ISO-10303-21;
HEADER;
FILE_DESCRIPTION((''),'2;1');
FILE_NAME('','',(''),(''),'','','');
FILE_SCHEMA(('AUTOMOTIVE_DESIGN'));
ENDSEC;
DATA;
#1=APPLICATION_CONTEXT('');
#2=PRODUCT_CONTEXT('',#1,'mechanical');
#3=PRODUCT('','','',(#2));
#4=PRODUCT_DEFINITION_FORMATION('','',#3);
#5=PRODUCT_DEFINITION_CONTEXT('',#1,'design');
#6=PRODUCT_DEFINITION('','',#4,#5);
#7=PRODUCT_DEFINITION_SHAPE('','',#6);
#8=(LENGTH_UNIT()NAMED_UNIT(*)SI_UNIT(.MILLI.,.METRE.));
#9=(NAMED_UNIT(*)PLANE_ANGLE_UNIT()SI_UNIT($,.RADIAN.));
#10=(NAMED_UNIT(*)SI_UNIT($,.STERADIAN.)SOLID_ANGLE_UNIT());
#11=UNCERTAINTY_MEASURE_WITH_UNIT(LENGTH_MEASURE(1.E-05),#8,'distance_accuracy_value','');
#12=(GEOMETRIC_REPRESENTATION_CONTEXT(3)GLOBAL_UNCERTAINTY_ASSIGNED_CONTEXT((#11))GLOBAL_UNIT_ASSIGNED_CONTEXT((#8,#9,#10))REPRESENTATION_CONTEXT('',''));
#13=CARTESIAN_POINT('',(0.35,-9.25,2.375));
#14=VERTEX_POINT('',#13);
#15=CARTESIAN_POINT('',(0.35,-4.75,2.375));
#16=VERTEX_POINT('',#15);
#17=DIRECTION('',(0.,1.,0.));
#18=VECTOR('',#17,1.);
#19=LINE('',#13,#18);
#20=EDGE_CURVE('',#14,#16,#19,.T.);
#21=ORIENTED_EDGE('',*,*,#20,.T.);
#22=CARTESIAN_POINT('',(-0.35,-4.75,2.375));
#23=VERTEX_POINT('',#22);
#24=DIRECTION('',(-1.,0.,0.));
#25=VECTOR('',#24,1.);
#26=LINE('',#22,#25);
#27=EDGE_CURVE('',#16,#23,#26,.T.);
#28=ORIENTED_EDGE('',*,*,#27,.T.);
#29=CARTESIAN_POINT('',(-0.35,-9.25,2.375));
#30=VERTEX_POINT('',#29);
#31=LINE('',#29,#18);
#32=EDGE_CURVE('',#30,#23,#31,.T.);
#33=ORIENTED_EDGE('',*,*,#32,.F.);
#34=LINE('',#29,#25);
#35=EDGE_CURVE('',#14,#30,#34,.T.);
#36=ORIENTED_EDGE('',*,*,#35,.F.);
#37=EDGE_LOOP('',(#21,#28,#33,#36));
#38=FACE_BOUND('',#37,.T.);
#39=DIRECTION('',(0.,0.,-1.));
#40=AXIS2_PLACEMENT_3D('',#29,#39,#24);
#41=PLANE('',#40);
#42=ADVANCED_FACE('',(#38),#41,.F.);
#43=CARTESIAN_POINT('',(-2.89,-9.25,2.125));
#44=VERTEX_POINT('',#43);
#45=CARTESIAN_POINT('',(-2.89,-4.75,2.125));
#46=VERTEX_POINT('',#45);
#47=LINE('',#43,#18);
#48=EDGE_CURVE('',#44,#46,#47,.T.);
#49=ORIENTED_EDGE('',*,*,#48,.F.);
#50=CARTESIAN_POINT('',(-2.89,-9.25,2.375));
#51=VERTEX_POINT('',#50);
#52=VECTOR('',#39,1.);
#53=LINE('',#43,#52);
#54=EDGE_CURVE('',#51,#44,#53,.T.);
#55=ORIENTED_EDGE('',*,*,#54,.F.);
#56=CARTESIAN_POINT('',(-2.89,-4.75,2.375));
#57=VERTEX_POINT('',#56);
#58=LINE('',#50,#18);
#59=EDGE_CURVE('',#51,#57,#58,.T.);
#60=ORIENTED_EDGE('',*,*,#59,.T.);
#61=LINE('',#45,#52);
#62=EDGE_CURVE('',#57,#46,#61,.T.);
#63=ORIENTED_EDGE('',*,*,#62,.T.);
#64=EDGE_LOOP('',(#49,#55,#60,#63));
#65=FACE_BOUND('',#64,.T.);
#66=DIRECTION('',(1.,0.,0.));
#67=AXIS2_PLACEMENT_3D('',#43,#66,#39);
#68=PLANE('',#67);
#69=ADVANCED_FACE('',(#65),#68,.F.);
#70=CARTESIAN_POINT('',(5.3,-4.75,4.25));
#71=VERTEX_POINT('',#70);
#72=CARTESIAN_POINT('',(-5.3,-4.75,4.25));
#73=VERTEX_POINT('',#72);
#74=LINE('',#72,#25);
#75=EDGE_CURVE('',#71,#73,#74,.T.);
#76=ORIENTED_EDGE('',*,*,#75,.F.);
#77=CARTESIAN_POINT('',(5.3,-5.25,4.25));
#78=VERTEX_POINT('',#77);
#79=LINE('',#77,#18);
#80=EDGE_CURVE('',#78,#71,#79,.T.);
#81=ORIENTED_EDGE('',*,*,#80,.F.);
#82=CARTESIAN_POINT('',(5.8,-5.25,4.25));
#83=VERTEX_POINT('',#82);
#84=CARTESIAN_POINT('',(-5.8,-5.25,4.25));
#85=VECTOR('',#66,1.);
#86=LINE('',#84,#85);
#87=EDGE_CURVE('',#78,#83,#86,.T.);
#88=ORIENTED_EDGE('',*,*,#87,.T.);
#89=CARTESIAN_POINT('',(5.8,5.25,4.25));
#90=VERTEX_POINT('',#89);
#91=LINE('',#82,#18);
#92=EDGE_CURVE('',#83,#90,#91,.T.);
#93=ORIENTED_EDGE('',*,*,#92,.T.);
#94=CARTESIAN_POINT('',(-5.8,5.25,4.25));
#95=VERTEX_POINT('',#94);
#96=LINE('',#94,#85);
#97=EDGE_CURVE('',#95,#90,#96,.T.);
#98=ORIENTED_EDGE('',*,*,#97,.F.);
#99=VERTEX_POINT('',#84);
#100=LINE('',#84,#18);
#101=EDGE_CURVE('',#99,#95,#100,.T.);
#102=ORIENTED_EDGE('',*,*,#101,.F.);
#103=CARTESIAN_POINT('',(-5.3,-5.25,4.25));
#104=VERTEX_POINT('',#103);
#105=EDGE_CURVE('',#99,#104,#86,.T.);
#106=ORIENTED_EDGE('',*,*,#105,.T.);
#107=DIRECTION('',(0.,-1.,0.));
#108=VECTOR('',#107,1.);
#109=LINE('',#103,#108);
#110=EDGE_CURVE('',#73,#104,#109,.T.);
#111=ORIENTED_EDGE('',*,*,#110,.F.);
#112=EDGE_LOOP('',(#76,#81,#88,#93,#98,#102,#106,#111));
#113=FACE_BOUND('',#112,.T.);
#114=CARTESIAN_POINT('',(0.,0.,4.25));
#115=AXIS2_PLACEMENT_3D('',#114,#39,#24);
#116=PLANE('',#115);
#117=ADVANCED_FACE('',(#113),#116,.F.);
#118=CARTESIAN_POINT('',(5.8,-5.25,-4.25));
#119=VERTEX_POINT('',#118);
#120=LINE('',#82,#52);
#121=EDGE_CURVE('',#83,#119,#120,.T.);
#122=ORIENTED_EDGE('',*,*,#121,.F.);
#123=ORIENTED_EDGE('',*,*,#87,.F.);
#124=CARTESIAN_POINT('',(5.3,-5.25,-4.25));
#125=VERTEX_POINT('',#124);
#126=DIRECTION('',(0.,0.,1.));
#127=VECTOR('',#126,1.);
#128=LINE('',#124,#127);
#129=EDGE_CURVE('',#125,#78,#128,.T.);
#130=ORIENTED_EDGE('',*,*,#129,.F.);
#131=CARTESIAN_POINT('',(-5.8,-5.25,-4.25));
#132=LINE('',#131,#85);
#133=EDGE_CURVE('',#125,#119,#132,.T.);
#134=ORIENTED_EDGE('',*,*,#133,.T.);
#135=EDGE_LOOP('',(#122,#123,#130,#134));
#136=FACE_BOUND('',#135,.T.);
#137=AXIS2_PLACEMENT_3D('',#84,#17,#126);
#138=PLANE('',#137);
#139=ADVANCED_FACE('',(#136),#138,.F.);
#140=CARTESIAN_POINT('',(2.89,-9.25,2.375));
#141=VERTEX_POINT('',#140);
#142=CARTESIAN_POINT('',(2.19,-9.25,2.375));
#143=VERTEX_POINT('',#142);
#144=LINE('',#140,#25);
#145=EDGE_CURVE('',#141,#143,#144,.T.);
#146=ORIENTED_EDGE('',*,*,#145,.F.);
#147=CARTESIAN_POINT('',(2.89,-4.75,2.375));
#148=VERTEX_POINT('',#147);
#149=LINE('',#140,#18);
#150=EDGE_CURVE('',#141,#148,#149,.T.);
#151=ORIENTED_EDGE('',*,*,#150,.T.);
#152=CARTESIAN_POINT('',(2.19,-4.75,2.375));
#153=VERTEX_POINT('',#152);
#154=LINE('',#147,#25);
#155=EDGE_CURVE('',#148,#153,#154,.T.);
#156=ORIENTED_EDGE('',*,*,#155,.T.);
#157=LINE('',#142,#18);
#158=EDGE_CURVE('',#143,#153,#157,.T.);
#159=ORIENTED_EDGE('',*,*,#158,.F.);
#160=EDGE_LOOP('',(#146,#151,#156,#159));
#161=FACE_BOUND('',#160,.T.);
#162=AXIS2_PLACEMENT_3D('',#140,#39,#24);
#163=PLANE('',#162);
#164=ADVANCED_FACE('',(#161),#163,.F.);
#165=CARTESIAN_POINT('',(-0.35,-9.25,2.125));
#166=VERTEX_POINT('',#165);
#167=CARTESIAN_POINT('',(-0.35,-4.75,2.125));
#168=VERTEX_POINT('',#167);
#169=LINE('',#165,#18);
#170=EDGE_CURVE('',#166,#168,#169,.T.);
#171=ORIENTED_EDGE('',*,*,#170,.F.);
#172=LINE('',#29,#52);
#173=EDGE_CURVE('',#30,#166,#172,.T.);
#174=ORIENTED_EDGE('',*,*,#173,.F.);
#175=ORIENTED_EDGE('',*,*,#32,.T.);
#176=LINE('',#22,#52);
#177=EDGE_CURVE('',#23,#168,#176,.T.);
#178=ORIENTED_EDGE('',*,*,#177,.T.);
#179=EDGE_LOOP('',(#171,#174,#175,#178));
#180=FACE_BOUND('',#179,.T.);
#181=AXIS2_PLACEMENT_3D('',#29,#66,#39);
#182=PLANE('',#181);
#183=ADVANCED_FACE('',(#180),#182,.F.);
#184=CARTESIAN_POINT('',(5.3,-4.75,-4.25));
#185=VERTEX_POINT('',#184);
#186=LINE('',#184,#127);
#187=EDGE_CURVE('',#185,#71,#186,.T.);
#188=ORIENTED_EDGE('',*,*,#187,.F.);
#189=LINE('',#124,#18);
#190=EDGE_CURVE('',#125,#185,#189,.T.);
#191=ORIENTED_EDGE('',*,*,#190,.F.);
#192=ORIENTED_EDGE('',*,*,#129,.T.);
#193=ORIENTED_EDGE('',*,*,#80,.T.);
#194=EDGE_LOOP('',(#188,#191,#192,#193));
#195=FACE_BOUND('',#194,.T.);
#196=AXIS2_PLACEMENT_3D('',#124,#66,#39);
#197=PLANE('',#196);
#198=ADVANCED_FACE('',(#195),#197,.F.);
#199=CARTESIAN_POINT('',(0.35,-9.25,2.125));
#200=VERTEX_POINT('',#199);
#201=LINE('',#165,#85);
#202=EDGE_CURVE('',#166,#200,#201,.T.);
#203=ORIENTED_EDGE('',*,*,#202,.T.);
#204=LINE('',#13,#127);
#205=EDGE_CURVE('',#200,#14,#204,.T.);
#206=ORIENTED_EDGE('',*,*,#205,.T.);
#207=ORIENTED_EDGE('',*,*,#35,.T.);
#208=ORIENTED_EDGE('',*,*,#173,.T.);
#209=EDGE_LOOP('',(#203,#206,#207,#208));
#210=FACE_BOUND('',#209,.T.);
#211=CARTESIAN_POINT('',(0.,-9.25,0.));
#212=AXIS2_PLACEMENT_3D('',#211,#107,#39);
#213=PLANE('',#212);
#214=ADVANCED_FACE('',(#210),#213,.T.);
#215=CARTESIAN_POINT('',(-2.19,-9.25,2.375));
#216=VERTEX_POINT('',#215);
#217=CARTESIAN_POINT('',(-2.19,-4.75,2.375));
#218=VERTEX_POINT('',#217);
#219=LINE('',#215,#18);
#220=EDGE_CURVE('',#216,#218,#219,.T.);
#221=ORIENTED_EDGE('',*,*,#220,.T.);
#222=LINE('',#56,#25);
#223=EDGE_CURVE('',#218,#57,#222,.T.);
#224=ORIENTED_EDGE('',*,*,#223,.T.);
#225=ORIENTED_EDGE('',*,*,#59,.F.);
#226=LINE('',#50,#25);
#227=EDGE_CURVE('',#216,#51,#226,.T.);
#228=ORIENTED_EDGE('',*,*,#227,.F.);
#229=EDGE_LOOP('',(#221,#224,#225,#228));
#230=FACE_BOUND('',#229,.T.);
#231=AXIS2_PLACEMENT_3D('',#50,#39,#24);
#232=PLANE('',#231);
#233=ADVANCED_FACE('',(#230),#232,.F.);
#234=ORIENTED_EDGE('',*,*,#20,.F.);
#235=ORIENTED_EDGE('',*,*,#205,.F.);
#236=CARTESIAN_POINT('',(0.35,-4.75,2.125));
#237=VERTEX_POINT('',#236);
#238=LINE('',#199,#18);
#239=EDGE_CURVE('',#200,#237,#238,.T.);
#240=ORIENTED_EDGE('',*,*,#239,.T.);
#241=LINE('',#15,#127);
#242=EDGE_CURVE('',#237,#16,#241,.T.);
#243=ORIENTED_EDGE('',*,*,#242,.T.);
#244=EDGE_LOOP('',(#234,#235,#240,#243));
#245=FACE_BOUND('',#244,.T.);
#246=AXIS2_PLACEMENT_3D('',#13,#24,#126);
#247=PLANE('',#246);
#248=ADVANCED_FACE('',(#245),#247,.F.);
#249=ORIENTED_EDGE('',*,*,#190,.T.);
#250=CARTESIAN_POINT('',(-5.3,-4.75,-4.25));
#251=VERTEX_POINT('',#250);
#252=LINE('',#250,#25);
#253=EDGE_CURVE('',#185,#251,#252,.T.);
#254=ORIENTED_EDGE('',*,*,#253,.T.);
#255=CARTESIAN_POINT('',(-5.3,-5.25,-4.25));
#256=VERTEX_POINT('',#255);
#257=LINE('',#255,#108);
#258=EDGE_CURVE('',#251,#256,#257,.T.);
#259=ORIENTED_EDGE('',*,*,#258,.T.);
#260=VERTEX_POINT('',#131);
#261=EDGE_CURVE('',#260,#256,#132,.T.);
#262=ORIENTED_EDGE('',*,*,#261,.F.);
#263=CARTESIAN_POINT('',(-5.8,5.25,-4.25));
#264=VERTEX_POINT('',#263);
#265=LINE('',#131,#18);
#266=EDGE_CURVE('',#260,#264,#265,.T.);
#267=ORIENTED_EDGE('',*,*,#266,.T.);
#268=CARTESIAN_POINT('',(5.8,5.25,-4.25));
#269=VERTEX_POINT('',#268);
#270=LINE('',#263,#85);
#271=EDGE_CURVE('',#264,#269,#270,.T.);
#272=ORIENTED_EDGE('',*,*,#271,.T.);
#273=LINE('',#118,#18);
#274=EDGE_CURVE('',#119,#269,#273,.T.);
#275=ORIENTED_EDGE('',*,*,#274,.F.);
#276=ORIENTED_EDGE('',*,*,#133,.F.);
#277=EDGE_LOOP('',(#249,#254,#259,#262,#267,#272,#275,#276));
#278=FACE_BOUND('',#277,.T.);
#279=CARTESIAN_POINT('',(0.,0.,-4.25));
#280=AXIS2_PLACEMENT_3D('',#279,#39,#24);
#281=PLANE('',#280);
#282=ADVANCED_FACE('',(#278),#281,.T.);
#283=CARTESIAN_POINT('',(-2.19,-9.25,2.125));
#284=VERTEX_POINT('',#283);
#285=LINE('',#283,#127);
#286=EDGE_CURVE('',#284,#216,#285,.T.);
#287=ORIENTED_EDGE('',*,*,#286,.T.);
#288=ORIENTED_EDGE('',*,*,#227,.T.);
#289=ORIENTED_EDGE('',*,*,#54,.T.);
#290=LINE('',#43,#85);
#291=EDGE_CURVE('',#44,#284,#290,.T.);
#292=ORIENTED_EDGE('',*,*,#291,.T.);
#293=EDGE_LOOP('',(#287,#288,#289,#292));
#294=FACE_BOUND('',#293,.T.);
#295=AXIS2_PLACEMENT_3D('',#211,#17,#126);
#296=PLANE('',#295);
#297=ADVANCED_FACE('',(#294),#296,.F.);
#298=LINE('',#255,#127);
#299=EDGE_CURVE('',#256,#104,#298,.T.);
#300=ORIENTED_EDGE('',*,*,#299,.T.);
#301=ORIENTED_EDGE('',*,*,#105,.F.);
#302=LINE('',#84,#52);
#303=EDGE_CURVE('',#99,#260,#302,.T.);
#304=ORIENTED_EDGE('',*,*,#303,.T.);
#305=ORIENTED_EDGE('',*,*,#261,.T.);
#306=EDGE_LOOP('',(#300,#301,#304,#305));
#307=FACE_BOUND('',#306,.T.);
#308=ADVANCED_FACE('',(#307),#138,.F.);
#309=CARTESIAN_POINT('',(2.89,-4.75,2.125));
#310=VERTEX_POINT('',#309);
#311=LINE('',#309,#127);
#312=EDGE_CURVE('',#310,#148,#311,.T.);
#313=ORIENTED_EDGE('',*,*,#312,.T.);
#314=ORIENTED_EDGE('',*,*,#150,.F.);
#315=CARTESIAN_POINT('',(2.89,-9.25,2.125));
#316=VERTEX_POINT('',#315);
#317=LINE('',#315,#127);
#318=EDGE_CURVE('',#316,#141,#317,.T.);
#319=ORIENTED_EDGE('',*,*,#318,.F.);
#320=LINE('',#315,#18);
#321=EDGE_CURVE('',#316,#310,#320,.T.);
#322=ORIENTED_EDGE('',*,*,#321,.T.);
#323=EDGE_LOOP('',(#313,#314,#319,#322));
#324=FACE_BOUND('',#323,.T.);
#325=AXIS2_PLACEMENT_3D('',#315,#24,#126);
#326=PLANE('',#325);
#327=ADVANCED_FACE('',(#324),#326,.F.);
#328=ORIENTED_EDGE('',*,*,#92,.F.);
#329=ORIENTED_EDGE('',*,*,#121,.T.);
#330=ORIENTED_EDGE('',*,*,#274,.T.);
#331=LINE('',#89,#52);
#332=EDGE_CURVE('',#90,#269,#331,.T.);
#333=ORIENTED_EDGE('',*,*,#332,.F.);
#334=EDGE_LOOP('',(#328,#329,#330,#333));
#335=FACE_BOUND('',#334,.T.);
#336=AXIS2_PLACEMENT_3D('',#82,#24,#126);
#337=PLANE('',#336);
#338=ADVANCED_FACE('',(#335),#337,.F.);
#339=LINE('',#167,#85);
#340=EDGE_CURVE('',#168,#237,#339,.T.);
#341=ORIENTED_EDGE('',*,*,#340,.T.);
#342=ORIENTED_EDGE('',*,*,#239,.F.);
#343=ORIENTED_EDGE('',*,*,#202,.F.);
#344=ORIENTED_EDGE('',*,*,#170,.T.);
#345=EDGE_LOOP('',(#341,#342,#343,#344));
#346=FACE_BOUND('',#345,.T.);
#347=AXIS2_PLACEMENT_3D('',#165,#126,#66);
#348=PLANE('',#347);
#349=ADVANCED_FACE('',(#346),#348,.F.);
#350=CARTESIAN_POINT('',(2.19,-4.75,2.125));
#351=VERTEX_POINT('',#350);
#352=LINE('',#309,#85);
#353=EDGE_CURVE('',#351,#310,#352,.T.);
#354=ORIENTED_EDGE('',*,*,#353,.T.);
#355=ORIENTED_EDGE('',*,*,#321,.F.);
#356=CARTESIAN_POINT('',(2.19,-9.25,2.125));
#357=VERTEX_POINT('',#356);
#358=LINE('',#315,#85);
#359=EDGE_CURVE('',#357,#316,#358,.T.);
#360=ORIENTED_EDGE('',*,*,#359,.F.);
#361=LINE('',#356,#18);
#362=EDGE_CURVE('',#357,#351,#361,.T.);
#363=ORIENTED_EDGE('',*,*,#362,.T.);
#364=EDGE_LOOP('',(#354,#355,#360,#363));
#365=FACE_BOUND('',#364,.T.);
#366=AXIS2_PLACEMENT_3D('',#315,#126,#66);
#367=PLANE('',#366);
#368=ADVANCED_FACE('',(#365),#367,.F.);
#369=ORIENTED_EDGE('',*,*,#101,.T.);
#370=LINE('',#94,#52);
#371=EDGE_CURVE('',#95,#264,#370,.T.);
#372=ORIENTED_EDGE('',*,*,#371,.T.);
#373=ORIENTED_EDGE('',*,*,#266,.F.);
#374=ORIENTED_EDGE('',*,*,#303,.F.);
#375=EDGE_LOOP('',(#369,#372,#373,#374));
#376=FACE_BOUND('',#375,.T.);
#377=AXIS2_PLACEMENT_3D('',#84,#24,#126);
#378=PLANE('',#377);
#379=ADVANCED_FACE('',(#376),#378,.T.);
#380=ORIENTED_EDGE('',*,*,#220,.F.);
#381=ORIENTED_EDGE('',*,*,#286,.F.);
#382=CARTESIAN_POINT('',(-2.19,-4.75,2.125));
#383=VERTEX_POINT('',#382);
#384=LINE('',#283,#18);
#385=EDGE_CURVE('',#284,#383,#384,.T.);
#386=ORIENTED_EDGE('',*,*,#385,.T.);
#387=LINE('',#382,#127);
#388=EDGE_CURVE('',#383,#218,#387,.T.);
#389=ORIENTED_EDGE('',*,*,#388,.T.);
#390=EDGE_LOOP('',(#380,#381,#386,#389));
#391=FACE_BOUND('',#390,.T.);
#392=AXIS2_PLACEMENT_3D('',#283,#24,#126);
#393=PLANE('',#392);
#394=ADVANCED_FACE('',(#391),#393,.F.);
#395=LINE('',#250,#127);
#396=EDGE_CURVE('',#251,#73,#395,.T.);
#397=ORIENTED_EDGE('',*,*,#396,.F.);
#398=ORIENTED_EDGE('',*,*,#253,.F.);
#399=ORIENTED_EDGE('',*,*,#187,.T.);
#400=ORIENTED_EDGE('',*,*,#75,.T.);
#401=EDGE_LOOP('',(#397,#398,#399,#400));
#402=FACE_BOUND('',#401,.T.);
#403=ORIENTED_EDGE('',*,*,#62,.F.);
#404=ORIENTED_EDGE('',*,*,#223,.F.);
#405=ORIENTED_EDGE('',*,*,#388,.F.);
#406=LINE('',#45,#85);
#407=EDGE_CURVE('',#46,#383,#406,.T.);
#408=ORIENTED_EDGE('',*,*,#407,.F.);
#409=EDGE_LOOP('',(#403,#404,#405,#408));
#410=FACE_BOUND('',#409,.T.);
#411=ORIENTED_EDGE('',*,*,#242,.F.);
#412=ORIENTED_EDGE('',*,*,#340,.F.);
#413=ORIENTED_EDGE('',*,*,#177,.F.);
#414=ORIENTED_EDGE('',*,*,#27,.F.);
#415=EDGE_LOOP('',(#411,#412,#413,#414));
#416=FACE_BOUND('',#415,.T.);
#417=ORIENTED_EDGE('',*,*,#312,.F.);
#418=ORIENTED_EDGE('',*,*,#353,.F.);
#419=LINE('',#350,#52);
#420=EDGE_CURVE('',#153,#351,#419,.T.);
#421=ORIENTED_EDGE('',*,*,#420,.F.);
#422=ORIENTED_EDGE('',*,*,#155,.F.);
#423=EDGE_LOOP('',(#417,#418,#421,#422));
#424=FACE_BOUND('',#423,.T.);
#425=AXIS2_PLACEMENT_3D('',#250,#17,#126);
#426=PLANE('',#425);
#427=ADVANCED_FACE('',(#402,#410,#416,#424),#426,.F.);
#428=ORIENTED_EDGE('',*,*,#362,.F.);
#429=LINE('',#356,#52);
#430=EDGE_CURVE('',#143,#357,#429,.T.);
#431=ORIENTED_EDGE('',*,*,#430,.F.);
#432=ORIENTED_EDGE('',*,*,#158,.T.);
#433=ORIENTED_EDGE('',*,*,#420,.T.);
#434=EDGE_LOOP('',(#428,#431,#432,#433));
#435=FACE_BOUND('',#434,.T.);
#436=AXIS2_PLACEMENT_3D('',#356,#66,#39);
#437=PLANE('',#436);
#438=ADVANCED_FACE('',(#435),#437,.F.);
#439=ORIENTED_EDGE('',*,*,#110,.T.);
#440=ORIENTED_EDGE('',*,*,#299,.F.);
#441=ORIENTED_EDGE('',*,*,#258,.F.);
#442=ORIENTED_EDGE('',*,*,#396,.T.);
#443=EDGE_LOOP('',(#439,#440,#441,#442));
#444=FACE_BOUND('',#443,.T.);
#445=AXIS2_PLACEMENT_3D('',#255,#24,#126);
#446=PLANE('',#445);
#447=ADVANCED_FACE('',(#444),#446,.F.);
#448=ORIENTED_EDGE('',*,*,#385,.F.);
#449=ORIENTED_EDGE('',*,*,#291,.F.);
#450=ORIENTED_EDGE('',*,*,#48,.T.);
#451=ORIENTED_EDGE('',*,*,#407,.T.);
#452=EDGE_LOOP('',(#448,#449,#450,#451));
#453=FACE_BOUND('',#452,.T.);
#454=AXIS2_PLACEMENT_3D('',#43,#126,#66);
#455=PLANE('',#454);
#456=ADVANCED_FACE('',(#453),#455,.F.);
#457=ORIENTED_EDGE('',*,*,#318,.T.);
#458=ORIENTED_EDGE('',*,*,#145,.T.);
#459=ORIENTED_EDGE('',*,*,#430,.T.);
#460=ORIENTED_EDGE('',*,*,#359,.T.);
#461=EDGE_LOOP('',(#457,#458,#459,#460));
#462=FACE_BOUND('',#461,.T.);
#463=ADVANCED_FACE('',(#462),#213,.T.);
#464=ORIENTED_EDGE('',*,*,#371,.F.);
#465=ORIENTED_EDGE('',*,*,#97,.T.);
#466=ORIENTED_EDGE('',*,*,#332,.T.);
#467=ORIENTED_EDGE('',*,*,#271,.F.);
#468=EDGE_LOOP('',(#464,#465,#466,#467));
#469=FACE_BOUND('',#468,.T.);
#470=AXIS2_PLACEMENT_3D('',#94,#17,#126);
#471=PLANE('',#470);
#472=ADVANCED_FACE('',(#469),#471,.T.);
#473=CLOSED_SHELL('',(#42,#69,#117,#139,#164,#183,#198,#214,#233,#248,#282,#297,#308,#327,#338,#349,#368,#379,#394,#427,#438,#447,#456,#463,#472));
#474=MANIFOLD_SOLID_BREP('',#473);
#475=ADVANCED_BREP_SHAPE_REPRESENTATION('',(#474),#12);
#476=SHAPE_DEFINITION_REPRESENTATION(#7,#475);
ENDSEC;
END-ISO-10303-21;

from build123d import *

# Parameters (mm, degrees)
SKETCH1_W           = 11.6
SKETCH1_H           = 10.5
BOSS_EXTRUDE1_DEPTH = 4.25
SKETCH2_W           = 10.6
SKETCH2_H           = 0.5
CUT_EXTRUDE1_DEPTH  = 12.552164299
SKETCH3_W           = 0.7
SKETCH3_H           = 0.25
BOSS_EXTRUDE2_DEPTH = 4.5


with BuildPart() as part:
    # Sketch1 → Boss-Extrude1 (new, symmetric)
    with BuildSketch(Plane.XY):
        Rectangle(SKETCH1_W, SKETCH1_H)
    extrude(amount=BOSS_EXTRUDE1_DEPTH, both=True)

    # Sketch2 → Cut-Extrude1 (cut, through all)
    with BuildSketch(Plane.XY.offset(4.25)):
        with Locations((0, -5)):
            Rectangle(SKETCH2_W, SKETCH2_H)
    extrude(amount=-CUT_EXTRUDE1_DEPTH, mode=Mode.SUBTRACT)

    # Sketch3 → Boss-Extrude2 (add)
    with BuildSketch(Plane(origin=(0, -4.75, 0), x_dir=(-1, 0, 0), z_dir=(0, -1, 0))):
        with Locations((0, -2.25)):
            Rectangle(SKETCH3_W, SKETCH3_H)
        with Locations((2.54, -2.25)):
            Rectangle(SKETCH3_W, SKETCH3_H)
        with Locations((-2.54, -2.25)):
            Rectangle(SKETCH3_W, SKETCH3_H)
    extrude(amount=BOSS_EXTRUDE2_DEPTH)


solid = part.part
